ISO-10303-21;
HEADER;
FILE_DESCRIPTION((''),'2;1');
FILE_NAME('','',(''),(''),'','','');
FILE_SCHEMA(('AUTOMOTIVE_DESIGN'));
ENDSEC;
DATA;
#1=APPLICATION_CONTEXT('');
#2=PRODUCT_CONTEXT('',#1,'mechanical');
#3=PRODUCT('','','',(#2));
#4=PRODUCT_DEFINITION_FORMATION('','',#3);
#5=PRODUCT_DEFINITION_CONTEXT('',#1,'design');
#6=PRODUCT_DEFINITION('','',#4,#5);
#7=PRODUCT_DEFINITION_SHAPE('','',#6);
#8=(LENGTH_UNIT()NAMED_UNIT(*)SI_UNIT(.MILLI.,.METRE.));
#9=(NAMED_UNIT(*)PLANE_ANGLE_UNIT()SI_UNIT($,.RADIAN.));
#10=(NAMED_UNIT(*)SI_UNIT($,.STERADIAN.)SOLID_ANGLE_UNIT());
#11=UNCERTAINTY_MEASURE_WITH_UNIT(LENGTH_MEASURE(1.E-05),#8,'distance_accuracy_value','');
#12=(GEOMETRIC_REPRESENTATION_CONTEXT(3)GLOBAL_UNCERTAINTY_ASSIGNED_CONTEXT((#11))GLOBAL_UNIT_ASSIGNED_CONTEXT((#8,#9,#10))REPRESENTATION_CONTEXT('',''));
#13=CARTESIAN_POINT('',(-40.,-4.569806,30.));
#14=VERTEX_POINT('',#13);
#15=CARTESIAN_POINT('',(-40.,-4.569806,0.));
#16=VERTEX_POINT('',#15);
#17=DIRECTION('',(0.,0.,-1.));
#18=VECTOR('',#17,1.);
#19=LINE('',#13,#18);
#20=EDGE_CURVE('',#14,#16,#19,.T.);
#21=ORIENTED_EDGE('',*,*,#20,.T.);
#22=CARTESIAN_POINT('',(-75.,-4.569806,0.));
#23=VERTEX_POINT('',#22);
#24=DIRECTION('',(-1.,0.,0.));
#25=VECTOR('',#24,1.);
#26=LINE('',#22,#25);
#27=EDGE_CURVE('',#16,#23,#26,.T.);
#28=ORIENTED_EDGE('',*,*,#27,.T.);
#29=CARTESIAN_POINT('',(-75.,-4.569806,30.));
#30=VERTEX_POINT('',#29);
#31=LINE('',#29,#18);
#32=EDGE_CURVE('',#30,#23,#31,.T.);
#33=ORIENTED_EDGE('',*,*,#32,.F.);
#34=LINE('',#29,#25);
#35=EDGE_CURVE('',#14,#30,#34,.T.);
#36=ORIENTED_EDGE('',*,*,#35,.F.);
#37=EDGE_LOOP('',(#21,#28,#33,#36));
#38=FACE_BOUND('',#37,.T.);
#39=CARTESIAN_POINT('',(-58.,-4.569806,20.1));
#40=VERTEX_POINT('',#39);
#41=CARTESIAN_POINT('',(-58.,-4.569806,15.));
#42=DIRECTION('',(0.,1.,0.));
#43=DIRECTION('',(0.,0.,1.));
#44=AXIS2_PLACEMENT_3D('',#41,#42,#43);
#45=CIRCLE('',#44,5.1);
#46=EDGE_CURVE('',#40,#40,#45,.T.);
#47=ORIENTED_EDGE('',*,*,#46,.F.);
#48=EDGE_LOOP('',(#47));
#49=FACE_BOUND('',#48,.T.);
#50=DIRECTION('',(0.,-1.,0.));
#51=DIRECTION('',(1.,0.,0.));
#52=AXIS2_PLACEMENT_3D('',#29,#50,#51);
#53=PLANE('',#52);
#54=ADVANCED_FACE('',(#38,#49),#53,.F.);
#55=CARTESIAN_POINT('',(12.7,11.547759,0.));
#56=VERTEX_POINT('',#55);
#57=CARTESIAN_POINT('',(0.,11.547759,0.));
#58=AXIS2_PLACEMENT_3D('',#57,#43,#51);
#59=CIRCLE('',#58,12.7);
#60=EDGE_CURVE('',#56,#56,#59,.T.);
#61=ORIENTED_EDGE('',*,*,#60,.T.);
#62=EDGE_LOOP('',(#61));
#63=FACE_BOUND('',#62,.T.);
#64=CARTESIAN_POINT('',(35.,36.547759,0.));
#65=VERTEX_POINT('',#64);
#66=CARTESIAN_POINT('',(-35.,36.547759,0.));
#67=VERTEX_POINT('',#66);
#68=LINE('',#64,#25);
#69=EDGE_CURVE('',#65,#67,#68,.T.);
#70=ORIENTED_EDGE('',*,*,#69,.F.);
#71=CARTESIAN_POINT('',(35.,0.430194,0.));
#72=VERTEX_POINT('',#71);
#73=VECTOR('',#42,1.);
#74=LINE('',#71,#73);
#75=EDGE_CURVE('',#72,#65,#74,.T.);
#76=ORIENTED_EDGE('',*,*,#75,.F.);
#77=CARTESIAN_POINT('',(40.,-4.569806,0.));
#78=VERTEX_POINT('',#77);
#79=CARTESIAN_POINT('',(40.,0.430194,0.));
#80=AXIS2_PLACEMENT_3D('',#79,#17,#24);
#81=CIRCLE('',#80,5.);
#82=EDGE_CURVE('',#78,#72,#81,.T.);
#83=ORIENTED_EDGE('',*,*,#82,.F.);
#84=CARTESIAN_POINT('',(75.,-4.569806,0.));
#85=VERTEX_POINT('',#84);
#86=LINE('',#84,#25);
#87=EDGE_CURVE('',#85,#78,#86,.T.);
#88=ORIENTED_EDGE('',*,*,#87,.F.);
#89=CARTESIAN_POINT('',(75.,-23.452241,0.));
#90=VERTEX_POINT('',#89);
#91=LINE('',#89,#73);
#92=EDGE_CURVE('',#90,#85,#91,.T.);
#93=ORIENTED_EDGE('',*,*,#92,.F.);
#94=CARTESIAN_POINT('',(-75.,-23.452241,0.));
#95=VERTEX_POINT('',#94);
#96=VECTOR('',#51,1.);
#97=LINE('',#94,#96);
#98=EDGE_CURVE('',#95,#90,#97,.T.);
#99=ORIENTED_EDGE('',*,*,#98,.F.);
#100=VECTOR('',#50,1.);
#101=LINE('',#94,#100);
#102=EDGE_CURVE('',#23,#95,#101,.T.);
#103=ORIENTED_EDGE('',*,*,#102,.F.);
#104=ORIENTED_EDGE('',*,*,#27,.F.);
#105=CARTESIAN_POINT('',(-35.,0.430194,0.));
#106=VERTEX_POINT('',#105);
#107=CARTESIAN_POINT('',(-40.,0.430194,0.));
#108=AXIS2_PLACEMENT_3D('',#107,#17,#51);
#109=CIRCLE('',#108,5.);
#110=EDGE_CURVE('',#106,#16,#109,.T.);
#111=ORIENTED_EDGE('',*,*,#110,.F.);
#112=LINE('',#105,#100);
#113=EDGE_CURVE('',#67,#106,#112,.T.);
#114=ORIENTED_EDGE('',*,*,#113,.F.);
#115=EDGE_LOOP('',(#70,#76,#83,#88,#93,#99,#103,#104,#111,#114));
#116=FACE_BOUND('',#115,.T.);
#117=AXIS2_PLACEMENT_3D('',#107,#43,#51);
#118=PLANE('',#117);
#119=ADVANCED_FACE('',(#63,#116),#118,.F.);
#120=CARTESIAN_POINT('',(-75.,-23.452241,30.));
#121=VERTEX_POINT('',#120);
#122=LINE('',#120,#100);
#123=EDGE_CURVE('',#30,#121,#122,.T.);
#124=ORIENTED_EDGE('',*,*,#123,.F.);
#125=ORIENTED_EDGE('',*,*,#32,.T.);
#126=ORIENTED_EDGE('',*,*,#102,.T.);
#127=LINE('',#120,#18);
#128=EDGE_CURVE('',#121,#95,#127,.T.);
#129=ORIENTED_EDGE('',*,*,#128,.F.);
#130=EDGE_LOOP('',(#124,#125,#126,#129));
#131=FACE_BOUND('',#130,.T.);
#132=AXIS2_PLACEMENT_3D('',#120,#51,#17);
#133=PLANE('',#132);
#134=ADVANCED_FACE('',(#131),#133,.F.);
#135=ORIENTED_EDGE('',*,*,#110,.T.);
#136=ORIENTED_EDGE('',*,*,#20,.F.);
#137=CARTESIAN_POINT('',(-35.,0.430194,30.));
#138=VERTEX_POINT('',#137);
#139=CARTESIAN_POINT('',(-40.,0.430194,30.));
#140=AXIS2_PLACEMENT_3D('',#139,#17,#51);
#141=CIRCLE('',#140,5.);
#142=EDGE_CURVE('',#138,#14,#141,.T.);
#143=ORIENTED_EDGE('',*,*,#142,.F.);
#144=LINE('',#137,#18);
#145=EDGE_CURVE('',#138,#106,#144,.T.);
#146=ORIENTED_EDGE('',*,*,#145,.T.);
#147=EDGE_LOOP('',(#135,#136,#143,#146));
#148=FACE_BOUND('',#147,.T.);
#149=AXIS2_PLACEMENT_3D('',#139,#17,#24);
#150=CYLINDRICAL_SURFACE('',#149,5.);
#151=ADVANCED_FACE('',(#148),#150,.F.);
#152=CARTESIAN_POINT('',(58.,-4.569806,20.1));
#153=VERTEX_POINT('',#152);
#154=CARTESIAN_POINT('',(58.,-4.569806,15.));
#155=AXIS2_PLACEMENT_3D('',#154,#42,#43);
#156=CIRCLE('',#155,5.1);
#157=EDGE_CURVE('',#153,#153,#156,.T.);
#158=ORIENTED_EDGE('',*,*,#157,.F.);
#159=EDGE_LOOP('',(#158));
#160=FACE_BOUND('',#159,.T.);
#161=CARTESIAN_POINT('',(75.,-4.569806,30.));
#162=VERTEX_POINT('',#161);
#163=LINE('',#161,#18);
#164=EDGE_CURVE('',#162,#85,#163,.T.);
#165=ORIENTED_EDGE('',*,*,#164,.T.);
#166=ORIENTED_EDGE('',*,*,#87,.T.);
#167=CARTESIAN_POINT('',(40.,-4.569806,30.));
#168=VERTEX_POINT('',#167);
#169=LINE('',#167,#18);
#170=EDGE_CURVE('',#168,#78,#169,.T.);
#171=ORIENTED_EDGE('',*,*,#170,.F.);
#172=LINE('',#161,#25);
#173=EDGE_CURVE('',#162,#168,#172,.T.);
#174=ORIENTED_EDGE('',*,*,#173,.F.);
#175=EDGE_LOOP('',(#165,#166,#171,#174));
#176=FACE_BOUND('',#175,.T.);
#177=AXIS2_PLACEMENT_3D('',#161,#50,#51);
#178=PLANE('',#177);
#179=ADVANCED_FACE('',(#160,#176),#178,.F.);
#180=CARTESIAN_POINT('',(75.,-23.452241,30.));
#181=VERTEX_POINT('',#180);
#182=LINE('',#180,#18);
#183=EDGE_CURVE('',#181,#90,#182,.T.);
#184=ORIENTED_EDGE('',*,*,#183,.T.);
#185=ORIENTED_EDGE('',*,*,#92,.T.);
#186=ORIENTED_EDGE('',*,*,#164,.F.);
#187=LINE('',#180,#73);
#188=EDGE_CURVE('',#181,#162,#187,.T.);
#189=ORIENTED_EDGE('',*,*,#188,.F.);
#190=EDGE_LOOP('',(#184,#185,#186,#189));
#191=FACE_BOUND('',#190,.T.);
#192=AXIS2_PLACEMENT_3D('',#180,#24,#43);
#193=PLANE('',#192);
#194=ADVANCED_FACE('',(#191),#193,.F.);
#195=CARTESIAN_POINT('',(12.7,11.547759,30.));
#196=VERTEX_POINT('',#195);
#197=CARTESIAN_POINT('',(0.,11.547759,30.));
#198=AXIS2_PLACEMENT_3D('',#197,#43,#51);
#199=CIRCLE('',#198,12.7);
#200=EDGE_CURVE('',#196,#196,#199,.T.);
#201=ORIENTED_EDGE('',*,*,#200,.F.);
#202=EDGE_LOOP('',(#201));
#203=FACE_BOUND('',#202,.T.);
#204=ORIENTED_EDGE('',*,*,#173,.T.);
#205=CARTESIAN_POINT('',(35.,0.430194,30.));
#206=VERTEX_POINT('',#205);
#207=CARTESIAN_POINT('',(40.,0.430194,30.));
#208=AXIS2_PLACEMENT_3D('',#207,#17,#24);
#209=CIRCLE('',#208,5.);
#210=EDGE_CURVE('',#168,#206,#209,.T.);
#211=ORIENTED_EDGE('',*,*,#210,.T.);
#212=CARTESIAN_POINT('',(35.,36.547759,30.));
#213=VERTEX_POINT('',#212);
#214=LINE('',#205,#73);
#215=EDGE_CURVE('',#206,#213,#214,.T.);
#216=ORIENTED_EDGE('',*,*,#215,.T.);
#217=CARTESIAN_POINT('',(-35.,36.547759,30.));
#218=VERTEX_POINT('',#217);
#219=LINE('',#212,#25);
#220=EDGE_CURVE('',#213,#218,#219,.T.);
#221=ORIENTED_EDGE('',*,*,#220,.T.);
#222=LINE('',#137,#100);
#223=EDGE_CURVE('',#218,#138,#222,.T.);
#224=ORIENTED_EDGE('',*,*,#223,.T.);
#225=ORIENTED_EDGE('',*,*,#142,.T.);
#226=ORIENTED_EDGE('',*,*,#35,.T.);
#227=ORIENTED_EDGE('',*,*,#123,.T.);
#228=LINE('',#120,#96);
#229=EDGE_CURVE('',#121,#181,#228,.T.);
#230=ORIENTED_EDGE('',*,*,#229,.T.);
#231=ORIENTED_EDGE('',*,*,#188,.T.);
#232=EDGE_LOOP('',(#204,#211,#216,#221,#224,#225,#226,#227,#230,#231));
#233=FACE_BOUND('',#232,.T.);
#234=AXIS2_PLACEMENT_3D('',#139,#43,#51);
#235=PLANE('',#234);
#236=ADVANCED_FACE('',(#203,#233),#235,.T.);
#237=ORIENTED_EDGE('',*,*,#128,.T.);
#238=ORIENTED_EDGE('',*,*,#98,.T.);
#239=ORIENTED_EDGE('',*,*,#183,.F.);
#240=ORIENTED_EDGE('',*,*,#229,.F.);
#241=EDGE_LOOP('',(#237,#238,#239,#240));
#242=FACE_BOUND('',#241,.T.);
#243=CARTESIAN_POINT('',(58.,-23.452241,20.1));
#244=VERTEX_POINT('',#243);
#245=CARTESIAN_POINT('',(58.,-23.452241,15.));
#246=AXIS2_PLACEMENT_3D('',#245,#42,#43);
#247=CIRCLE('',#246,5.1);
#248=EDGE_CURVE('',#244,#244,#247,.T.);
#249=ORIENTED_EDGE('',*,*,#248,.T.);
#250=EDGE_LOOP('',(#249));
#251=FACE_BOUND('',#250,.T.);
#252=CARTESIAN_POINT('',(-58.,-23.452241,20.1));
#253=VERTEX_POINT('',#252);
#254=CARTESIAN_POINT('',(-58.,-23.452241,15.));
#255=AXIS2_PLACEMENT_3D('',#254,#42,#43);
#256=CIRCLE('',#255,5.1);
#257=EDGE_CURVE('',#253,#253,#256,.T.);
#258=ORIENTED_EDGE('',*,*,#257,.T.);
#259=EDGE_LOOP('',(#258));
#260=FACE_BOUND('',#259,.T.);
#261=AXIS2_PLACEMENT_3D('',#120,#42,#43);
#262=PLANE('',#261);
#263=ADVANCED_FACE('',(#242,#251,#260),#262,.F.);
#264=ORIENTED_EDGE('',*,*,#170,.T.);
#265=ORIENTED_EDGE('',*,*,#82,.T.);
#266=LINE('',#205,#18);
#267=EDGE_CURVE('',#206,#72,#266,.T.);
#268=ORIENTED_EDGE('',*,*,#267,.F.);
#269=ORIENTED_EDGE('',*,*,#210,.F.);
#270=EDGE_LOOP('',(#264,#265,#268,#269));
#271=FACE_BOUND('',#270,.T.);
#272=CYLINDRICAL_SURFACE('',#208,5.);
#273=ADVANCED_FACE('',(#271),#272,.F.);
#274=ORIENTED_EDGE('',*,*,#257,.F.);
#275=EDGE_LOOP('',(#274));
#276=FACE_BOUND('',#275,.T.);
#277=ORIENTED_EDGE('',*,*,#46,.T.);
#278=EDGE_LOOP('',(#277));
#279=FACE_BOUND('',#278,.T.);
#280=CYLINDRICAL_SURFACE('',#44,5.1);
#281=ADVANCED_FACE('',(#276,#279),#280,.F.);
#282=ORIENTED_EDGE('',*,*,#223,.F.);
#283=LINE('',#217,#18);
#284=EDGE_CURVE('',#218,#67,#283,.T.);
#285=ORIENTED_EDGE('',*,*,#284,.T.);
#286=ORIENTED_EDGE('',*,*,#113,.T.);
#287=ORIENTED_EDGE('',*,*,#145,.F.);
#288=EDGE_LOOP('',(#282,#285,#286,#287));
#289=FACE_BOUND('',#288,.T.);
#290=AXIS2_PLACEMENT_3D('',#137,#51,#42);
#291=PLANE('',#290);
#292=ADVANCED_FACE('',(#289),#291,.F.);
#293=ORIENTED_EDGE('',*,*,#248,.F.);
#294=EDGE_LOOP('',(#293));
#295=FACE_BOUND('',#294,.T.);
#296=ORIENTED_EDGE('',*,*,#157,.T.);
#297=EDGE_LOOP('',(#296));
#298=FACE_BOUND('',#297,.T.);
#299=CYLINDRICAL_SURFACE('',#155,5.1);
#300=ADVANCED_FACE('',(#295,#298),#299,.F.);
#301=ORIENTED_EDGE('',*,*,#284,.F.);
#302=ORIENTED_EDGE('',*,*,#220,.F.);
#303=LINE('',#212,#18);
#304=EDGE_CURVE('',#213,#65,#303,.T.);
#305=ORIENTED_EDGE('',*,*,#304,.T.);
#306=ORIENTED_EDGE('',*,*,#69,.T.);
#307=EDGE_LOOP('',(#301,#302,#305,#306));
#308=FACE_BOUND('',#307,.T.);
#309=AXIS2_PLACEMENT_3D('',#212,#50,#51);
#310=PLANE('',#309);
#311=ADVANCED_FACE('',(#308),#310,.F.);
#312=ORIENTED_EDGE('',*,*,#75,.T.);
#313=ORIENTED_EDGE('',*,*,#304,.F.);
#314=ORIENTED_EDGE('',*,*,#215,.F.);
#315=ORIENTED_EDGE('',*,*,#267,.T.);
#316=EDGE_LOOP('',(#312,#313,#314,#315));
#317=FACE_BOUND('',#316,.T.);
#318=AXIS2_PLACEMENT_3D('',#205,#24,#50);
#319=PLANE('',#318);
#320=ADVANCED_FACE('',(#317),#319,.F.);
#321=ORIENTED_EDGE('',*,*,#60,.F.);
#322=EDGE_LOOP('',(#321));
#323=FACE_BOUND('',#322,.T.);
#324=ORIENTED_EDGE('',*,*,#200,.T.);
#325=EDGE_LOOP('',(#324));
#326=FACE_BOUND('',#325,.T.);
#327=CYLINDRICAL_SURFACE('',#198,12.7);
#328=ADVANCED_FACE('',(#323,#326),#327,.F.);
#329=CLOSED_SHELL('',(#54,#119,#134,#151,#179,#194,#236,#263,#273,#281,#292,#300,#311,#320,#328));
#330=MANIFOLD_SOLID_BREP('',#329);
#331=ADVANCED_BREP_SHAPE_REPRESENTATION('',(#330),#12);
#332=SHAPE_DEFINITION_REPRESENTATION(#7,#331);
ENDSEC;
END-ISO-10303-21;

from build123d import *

# Parameters (mm, degrees)
BOSS_EXTRUDE1_DEPTH               = 30
F_1_1_0000_DOWEL_HOLE1_D          = 25.4
TAP_DRILL_FOR_M12X1_75_TAP1_D     = 10.2
TAP_DRILL_FOR_M12X1_75_TAP1_DEPTH = 30
TAP_DRILL_FOR_M12X1_75_TAP1_TIP   = 3.064389157


with BuildPart() as part:
    # Sketch1 → Boss-Extrude1 (new body)
    with BuildSketch(Plane.XY):
        with BuildLine():
            Line((-75, -23.452240915), (75, -23.452240915))
            Line((75, -23.452240915), (75, -4.569806156))
            Line((75, -4.569806156), (40, -4.569806156))
            ThreePointArc((40, -4.569806156), (36.464466094, -3.105340062), (35, 0.430193844))
            Line((35, 0.430193844), (35, 36.547759085))
            Line((35, 36.547759085), (-35, 36.547759085))
            Line((-35, 36.547759085), (-35, 0.430193844))
            ThreePointArc((-35, 0.430193844), (-36.464466094, -3.105340062), (-40, -4.569806156))
            Line((-40, -4.569806156), (-75, -4.569806156))
            Line((-75, -4.569806156), (-75, -23.452240915))
        make_face()
    extrude(amount=BOSS_EXTRUDE1_DEPTH)

    # 1 (1.0000) Dowel Hole1 (through all)
    with Locations(Plane.XY.offset(30)):
        with Locations((0, 11.547759085)):
            Hole(F_1_1_0000_DOWEL_HOLE1_D / 2)

    # Tap Drill for M12x1.75 Tap1
    with Locations(Plane(origin=(0, -4.569806156, 0), x_dir=(1, 0, 0), z_dir=(0, 1, 0))):
        with Locations((58, -15), (-58, -15)):
            Hole(TAP_DRILL_FOR_M12X1_75_TAP1_D / 2, depth=TAP_DRILL_FOR_M12X1_75_TAP1_DEPTH)
            with Locations((0, 0, -(TAP_DRILL_FOR_M12X1_75_TAP1_DEPTH + TAP_DRILL_FOR_M12X1_75_TAP1_TIP / 2))):  # 118° drill point
                Cone(0, TAP_DRILL_FOR_M12X1_75_TAP1_D / 2, TAP_DRILL_FOR_M12X1_75_TAP1_TIP, mode=Mode.SUBTRACT)


solid = part.part
